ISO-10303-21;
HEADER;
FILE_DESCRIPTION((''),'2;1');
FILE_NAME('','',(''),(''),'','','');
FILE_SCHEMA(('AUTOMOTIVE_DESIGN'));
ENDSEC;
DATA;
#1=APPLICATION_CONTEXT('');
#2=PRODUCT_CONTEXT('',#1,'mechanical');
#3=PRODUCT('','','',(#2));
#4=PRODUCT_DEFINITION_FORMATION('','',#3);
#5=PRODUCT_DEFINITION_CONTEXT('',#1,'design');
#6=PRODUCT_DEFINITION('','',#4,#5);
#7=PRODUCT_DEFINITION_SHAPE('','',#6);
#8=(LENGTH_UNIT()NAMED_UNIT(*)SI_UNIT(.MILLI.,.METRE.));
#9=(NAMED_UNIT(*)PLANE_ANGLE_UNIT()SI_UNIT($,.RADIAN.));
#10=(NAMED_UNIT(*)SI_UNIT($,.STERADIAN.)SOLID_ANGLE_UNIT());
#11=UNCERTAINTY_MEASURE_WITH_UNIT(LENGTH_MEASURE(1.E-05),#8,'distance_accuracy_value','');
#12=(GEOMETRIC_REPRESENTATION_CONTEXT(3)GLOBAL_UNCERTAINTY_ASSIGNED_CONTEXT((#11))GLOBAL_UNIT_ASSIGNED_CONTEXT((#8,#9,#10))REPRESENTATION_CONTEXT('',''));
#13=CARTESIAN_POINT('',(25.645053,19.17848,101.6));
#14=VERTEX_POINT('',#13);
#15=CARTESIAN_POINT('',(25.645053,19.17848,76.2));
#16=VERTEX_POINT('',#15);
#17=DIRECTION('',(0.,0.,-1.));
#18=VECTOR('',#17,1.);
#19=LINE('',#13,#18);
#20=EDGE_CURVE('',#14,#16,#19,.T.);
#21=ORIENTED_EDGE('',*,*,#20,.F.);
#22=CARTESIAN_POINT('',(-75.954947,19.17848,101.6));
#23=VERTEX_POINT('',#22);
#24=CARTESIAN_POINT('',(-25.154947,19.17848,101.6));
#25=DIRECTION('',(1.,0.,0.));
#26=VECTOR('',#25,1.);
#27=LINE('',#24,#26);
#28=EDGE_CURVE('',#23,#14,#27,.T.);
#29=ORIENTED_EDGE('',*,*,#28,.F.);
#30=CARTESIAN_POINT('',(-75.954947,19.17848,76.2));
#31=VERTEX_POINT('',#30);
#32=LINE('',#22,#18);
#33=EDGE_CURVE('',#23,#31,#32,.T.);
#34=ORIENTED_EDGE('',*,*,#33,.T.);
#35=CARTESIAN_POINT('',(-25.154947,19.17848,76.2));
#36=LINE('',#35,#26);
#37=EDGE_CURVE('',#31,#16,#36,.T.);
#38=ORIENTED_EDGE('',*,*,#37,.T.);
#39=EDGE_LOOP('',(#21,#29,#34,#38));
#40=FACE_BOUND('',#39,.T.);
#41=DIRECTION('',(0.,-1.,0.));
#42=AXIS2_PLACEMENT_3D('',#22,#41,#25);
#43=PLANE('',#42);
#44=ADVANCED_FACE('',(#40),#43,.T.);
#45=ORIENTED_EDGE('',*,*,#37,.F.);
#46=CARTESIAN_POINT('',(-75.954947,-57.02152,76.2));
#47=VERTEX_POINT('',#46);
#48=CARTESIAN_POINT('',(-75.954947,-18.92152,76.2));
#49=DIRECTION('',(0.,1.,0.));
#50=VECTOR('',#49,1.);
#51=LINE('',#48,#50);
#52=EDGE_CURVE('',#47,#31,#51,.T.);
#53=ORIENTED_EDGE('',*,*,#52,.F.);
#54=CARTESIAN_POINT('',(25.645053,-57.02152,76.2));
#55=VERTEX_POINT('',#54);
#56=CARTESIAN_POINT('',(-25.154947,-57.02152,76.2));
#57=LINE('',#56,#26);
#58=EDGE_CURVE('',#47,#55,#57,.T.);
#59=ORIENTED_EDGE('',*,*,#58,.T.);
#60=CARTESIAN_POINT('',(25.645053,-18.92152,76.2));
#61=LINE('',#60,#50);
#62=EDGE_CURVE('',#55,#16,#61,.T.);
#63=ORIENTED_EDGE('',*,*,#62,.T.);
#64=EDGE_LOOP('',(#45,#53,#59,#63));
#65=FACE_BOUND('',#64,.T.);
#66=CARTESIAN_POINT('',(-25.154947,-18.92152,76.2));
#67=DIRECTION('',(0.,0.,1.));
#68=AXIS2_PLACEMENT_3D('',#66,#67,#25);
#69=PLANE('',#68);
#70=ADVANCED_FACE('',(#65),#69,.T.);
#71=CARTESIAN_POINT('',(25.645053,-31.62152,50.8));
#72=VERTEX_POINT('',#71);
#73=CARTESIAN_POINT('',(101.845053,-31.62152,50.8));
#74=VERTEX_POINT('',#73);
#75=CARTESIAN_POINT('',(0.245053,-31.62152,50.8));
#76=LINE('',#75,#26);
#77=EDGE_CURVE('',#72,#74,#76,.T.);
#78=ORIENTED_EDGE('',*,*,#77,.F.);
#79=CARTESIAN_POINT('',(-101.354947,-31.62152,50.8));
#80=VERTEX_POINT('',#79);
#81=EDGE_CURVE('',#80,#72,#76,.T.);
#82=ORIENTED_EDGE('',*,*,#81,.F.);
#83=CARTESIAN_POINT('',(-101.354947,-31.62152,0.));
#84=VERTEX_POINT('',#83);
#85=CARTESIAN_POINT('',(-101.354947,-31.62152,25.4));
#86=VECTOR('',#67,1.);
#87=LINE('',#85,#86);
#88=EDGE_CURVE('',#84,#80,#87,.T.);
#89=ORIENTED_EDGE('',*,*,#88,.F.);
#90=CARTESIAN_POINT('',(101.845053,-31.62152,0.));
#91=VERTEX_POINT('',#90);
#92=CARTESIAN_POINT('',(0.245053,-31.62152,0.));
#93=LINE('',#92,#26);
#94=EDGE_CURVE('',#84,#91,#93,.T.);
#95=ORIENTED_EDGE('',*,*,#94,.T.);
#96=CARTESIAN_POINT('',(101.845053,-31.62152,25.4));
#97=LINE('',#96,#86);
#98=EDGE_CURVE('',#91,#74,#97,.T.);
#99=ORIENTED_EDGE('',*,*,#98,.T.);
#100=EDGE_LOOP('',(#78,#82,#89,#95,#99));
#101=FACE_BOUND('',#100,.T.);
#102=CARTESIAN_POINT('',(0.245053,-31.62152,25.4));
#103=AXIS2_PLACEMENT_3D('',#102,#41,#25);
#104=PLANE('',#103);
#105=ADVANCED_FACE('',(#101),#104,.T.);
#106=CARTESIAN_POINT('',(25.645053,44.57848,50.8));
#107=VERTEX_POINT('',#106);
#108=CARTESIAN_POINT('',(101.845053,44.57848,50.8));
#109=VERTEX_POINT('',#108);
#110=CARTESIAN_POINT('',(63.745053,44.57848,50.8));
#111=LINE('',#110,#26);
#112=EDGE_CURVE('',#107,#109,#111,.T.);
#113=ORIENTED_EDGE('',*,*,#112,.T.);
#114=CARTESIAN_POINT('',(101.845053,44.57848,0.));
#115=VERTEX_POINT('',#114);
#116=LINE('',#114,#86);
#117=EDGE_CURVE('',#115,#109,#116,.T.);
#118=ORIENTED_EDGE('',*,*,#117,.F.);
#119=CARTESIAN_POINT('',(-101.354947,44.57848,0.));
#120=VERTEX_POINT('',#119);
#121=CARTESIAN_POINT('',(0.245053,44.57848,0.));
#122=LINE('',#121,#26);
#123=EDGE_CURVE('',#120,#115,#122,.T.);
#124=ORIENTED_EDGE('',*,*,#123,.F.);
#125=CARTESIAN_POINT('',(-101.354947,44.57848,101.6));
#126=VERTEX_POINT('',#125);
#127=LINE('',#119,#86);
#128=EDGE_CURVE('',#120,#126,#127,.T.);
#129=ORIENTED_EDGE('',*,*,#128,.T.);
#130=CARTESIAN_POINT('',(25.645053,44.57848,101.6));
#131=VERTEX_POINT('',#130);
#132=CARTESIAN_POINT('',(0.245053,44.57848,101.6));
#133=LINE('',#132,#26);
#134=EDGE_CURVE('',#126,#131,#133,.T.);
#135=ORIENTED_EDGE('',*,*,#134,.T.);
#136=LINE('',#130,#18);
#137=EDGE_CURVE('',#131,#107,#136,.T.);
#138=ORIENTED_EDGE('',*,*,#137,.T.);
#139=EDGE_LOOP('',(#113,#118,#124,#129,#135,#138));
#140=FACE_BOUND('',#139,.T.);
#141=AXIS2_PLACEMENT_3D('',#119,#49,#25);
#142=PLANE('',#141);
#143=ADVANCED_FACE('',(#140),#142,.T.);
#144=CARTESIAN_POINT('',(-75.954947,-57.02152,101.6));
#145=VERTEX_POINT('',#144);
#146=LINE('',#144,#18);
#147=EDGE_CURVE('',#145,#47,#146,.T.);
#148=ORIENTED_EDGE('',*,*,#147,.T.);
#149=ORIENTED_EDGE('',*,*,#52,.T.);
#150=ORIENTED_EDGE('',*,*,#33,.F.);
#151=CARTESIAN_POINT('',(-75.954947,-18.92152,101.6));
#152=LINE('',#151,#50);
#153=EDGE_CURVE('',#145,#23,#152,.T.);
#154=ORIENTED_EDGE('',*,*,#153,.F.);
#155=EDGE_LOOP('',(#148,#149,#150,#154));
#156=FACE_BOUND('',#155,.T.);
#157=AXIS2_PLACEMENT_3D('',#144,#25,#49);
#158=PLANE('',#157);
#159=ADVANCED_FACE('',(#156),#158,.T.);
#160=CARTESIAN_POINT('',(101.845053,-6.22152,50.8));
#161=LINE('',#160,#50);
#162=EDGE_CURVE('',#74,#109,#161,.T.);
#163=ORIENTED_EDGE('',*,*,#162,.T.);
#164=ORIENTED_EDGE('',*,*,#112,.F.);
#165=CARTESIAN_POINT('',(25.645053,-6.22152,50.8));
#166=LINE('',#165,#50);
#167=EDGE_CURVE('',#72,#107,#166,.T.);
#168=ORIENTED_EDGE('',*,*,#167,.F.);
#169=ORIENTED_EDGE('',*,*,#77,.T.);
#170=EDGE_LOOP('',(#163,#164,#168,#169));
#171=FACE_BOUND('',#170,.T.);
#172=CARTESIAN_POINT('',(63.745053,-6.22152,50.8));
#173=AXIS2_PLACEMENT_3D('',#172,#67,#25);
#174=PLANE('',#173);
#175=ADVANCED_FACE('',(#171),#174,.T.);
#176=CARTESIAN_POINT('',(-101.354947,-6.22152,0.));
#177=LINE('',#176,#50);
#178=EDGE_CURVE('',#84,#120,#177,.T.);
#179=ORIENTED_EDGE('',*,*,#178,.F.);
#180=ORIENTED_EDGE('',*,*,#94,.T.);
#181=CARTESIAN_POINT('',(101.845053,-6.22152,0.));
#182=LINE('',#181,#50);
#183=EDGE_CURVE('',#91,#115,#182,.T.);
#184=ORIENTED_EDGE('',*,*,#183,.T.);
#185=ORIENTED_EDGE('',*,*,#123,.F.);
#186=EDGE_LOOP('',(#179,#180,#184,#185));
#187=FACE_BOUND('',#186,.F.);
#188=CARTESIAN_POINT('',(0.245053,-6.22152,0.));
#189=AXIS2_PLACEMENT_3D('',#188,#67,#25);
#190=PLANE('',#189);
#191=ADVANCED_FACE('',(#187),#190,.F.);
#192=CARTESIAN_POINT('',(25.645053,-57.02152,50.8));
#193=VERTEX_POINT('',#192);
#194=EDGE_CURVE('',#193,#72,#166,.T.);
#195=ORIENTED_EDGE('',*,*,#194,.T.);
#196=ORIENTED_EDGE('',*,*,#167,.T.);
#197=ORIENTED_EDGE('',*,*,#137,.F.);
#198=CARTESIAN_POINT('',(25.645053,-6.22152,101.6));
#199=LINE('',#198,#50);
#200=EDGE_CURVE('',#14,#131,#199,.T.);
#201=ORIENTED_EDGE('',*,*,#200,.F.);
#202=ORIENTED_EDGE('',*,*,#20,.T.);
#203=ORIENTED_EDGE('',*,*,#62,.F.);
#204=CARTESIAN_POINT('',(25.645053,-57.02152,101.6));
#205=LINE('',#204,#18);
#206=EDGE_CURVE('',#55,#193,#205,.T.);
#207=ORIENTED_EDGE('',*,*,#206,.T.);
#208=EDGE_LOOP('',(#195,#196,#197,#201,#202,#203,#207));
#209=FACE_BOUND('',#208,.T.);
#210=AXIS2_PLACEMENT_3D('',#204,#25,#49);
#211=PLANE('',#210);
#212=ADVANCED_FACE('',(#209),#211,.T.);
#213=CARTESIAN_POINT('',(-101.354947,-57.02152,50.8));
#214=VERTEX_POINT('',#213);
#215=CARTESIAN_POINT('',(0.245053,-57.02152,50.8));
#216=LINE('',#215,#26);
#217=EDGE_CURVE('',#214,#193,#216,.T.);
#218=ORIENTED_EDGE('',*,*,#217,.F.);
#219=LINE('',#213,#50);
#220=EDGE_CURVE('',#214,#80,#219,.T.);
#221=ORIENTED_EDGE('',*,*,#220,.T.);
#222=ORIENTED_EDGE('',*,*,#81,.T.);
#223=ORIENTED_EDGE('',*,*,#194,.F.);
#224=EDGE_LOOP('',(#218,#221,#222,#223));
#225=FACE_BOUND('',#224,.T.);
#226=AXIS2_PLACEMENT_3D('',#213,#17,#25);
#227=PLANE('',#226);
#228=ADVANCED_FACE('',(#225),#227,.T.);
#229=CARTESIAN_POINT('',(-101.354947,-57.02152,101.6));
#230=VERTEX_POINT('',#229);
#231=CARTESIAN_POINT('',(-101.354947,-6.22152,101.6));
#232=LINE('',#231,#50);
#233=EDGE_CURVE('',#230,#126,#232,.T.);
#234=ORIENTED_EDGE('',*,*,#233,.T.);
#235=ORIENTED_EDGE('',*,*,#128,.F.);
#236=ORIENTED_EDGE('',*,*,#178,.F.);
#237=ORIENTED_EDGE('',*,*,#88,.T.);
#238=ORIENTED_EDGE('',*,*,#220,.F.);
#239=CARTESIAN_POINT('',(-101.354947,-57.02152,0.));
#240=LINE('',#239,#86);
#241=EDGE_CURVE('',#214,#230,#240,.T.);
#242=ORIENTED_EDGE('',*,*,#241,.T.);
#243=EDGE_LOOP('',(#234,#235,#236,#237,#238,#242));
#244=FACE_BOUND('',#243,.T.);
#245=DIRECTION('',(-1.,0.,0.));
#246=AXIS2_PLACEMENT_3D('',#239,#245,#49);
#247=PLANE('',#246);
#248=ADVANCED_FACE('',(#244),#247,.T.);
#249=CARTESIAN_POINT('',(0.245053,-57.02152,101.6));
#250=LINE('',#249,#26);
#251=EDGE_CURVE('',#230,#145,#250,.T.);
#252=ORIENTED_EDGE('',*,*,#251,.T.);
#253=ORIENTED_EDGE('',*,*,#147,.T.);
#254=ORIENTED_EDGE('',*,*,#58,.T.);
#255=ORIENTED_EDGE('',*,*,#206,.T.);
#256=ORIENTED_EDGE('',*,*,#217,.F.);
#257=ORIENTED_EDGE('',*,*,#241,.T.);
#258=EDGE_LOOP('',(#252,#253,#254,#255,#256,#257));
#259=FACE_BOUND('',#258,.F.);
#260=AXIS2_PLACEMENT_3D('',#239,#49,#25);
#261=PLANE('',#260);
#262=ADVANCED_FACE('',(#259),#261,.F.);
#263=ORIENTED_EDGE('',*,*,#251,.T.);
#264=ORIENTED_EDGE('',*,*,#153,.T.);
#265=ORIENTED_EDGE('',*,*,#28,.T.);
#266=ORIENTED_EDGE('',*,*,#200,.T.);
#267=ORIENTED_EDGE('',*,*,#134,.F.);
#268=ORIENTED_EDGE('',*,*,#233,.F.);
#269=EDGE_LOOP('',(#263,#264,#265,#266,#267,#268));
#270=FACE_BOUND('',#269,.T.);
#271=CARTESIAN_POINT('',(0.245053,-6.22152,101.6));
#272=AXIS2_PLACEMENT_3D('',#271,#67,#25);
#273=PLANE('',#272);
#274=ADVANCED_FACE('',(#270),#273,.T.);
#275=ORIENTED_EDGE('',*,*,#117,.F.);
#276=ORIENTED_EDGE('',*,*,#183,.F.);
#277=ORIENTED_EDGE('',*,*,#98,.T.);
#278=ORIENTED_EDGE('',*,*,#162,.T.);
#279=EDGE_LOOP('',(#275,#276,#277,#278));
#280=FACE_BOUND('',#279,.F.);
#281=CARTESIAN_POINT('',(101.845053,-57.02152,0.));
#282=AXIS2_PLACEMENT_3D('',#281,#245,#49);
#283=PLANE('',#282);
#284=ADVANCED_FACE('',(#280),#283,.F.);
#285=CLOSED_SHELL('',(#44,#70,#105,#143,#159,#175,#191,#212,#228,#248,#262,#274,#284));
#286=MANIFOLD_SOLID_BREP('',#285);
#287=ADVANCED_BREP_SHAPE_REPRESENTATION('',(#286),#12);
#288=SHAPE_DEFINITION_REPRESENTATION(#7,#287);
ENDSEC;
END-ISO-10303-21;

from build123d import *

# Parameters (mm, degrees)
F0_W     = 203.2
F0_H     = 101.6
F1_DEPTH = 101.6
F2_W     = 203.2
F2_H     = 50.8
F3_DEPTH = 25.4
F4_W     = 76.2
F4_H     = 101.6
F5_DEPTH = 50.8
F6_W     = 101.6
F6_H     = 76.2
F7_DEPTH = 25.4


with BuildPart() as f1:
    # F0 (on Top) → F1 (new body)
    with BuildSketch(Plane.XY):
        with Locations((0.245053, -6.22152)):
            Rectangle(F0_W, F0_H)
    extrude(amount=F1_DEPTH)

    # F2 (on face) → F3 (cut)
    with BuildSketch(Plane.XZ.offset(57.02152)):
        with Locations((0.245053, 25.4)):
            Rectangle(F2_W, F2_H)
    extrude(amount=-F3_DEPTH, mode=Mode.SUBTRACT)

    # F4 (on face) → F5 (cut)
    with BuildSketch(Plane.XY.offset(101.6)):
        with Locations((63.745053, -6.22152)):
            Rectangle(F4_W, F4_H)
    extrude(amount=-F5_DEPTH, mode=Mode.SUBTRACT)

    # F6 (on face) → F7 (cut)
    with BuildSketch(Plane.XY.offset(101.6)):
        with Locations((-25.154947, -18.92152)):
            Rectangle(F6_W, F6_H)
    extrude(amount=-F7_DEPTH, mode=Mode.SUBTRACT)


solid = f1.part
